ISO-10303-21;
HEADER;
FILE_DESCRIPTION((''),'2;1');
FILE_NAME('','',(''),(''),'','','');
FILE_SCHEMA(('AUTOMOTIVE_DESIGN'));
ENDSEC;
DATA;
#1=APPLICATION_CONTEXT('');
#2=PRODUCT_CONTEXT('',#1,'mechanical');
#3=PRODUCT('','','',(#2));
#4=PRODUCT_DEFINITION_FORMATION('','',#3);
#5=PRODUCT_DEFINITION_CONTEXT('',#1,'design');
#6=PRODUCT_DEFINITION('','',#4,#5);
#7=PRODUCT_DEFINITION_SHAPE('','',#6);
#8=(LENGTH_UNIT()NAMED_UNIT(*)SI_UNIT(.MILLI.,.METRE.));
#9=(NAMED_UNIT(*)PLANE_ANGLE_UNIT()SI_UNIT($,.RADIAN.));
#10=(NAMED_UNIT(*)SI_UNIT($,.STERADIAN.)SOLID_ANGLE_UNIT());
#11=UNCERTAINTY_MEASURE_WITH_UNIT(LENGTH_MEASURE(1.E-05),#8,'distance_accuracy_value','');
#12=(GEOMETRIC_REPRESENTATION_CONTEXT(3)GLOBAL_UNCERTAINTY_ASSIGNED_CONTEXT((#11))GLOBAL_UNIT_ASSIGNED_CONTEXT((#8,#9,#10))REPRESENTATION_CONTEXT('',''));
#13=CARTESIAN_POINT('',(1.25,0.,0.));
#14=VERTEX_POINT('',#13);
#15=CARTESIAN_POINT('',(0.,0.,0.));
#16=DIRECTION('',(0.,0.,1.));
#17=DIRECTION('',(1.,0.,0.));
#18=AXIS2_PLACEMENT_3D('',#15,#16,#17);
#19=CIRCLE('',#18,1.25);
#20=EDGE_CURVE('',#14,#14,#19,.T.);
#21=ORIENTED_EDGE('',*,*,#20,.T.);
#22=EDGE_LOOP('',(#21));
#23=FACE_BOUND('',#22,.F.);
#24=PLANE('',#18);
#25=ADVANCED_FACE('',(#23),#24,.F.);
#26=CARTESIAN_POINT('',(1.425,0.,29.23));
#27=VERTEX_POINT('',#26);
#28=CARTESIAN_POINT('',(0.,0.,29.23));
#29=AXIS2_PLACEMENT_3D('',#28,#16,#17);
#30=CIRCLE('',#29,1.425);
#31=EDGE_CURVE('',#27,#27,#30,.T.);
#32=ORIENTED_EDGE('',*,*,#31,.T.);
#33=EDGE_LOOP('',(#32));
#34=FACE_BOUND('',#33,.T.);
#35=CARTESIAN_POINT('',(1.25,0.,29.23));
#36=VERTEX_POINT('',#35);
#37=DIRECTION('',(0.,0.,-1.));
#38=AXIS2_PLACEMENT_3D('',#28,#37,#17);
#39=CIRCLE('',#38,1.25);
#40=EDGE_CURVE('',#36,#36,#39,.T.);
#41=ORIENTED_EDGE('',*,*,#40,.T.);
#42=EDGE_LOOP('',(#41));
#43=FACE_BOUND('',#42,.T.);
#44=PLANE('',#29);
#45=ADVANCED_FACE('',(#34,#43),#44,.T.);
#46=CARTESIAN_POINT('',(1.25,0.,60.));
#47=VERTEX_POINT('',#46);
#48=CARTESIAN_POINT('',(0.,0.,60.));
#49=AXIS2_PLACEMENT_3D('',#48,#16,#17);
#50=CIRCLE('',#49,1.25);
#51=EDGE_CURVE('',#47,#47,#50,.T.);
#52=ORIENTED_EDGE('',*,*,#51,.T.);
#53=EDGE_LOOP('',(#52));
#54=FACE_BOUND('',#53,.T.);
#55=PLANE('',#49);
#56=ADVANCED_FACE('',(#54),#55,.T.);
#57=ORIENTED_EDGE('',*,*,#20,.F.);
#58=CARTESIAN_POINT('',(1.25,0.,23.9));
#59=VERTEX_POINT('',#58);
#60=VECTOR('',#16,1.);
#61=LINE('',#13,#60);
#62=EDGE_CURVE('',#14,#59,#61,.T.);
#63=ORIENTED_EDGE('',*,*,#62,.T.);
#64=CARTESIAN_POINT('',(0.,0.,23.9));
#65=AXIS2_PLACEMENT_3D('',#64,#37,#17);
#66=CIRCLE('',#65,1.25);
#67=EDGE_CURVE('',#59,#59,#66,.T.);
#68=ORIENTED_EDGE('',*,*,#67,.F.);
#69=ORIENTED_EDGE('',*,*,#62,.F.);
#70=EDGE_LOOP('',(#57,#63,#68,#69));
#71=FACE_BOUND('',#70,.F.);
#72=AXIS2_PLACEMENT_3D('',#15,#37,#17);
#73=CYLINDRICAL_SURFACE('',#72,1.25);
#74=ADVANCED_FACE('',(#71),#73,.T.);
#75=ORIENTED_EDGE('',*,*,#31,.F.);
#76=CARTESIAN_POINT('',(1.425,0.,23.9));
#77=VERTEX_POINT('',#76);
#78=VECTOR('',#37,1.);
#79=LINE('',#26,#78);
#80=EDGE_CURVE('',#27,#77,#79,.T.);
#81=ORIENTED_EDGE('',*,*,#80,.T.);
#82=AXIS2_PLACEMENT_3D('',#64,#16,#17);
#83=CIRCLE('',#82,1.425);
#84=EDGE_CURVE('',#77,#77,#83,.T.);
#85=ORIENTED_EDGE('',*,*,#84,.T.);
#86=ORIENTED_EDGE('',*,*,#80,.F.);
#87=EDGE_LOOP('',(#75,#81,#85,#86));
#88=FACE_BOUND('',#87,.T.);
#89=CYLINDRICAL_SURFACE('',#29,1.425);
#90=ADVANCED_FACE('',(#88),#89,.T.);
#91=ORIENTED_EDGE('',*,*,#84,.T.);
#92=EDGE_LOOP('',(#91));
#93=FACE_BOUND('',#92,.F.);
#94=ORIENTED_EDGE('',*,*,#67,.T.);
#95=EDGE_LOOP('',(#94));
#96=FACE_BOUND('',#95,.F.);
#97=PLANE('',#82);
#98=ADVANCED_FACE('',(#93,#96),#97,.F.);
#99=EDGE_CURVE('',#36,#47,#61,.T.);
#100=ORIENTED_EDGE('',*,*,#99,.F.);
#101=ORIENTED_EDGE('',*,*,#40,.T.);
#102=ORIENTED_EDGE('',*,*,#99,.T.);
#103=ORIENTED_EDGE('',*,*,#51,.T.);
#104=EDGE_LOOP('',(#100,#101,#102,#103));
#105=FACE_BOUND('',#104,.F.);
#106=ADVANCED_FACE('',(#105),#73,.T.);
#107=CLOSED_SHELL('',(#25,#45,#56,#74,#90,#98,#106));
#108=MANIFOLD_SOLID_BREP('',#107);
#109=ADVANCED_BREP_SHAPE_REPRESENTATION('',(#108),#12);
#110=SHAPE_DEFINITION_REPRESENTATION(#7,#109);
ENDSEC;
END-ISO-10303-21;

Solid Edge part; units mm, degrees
sketch "Sketch1" plane through (0, 0, 0) normal (0, 0, 1) x (1, 0, 0)
  circle A0 centre (0, 0) radius 1.25
extrude "Protrusion1" add sketch "Sketch1" along normal blind 60
sketch "Sketch2" plane through (0, 0, 29.23) normal (0, 0, 1) x (1, 0, 0)
  circle A0 centre (0, 0) radius 1.425
extrude "ExtrudedProtrusion_2" add sketch "Sketch2" against normal blind 5.33
